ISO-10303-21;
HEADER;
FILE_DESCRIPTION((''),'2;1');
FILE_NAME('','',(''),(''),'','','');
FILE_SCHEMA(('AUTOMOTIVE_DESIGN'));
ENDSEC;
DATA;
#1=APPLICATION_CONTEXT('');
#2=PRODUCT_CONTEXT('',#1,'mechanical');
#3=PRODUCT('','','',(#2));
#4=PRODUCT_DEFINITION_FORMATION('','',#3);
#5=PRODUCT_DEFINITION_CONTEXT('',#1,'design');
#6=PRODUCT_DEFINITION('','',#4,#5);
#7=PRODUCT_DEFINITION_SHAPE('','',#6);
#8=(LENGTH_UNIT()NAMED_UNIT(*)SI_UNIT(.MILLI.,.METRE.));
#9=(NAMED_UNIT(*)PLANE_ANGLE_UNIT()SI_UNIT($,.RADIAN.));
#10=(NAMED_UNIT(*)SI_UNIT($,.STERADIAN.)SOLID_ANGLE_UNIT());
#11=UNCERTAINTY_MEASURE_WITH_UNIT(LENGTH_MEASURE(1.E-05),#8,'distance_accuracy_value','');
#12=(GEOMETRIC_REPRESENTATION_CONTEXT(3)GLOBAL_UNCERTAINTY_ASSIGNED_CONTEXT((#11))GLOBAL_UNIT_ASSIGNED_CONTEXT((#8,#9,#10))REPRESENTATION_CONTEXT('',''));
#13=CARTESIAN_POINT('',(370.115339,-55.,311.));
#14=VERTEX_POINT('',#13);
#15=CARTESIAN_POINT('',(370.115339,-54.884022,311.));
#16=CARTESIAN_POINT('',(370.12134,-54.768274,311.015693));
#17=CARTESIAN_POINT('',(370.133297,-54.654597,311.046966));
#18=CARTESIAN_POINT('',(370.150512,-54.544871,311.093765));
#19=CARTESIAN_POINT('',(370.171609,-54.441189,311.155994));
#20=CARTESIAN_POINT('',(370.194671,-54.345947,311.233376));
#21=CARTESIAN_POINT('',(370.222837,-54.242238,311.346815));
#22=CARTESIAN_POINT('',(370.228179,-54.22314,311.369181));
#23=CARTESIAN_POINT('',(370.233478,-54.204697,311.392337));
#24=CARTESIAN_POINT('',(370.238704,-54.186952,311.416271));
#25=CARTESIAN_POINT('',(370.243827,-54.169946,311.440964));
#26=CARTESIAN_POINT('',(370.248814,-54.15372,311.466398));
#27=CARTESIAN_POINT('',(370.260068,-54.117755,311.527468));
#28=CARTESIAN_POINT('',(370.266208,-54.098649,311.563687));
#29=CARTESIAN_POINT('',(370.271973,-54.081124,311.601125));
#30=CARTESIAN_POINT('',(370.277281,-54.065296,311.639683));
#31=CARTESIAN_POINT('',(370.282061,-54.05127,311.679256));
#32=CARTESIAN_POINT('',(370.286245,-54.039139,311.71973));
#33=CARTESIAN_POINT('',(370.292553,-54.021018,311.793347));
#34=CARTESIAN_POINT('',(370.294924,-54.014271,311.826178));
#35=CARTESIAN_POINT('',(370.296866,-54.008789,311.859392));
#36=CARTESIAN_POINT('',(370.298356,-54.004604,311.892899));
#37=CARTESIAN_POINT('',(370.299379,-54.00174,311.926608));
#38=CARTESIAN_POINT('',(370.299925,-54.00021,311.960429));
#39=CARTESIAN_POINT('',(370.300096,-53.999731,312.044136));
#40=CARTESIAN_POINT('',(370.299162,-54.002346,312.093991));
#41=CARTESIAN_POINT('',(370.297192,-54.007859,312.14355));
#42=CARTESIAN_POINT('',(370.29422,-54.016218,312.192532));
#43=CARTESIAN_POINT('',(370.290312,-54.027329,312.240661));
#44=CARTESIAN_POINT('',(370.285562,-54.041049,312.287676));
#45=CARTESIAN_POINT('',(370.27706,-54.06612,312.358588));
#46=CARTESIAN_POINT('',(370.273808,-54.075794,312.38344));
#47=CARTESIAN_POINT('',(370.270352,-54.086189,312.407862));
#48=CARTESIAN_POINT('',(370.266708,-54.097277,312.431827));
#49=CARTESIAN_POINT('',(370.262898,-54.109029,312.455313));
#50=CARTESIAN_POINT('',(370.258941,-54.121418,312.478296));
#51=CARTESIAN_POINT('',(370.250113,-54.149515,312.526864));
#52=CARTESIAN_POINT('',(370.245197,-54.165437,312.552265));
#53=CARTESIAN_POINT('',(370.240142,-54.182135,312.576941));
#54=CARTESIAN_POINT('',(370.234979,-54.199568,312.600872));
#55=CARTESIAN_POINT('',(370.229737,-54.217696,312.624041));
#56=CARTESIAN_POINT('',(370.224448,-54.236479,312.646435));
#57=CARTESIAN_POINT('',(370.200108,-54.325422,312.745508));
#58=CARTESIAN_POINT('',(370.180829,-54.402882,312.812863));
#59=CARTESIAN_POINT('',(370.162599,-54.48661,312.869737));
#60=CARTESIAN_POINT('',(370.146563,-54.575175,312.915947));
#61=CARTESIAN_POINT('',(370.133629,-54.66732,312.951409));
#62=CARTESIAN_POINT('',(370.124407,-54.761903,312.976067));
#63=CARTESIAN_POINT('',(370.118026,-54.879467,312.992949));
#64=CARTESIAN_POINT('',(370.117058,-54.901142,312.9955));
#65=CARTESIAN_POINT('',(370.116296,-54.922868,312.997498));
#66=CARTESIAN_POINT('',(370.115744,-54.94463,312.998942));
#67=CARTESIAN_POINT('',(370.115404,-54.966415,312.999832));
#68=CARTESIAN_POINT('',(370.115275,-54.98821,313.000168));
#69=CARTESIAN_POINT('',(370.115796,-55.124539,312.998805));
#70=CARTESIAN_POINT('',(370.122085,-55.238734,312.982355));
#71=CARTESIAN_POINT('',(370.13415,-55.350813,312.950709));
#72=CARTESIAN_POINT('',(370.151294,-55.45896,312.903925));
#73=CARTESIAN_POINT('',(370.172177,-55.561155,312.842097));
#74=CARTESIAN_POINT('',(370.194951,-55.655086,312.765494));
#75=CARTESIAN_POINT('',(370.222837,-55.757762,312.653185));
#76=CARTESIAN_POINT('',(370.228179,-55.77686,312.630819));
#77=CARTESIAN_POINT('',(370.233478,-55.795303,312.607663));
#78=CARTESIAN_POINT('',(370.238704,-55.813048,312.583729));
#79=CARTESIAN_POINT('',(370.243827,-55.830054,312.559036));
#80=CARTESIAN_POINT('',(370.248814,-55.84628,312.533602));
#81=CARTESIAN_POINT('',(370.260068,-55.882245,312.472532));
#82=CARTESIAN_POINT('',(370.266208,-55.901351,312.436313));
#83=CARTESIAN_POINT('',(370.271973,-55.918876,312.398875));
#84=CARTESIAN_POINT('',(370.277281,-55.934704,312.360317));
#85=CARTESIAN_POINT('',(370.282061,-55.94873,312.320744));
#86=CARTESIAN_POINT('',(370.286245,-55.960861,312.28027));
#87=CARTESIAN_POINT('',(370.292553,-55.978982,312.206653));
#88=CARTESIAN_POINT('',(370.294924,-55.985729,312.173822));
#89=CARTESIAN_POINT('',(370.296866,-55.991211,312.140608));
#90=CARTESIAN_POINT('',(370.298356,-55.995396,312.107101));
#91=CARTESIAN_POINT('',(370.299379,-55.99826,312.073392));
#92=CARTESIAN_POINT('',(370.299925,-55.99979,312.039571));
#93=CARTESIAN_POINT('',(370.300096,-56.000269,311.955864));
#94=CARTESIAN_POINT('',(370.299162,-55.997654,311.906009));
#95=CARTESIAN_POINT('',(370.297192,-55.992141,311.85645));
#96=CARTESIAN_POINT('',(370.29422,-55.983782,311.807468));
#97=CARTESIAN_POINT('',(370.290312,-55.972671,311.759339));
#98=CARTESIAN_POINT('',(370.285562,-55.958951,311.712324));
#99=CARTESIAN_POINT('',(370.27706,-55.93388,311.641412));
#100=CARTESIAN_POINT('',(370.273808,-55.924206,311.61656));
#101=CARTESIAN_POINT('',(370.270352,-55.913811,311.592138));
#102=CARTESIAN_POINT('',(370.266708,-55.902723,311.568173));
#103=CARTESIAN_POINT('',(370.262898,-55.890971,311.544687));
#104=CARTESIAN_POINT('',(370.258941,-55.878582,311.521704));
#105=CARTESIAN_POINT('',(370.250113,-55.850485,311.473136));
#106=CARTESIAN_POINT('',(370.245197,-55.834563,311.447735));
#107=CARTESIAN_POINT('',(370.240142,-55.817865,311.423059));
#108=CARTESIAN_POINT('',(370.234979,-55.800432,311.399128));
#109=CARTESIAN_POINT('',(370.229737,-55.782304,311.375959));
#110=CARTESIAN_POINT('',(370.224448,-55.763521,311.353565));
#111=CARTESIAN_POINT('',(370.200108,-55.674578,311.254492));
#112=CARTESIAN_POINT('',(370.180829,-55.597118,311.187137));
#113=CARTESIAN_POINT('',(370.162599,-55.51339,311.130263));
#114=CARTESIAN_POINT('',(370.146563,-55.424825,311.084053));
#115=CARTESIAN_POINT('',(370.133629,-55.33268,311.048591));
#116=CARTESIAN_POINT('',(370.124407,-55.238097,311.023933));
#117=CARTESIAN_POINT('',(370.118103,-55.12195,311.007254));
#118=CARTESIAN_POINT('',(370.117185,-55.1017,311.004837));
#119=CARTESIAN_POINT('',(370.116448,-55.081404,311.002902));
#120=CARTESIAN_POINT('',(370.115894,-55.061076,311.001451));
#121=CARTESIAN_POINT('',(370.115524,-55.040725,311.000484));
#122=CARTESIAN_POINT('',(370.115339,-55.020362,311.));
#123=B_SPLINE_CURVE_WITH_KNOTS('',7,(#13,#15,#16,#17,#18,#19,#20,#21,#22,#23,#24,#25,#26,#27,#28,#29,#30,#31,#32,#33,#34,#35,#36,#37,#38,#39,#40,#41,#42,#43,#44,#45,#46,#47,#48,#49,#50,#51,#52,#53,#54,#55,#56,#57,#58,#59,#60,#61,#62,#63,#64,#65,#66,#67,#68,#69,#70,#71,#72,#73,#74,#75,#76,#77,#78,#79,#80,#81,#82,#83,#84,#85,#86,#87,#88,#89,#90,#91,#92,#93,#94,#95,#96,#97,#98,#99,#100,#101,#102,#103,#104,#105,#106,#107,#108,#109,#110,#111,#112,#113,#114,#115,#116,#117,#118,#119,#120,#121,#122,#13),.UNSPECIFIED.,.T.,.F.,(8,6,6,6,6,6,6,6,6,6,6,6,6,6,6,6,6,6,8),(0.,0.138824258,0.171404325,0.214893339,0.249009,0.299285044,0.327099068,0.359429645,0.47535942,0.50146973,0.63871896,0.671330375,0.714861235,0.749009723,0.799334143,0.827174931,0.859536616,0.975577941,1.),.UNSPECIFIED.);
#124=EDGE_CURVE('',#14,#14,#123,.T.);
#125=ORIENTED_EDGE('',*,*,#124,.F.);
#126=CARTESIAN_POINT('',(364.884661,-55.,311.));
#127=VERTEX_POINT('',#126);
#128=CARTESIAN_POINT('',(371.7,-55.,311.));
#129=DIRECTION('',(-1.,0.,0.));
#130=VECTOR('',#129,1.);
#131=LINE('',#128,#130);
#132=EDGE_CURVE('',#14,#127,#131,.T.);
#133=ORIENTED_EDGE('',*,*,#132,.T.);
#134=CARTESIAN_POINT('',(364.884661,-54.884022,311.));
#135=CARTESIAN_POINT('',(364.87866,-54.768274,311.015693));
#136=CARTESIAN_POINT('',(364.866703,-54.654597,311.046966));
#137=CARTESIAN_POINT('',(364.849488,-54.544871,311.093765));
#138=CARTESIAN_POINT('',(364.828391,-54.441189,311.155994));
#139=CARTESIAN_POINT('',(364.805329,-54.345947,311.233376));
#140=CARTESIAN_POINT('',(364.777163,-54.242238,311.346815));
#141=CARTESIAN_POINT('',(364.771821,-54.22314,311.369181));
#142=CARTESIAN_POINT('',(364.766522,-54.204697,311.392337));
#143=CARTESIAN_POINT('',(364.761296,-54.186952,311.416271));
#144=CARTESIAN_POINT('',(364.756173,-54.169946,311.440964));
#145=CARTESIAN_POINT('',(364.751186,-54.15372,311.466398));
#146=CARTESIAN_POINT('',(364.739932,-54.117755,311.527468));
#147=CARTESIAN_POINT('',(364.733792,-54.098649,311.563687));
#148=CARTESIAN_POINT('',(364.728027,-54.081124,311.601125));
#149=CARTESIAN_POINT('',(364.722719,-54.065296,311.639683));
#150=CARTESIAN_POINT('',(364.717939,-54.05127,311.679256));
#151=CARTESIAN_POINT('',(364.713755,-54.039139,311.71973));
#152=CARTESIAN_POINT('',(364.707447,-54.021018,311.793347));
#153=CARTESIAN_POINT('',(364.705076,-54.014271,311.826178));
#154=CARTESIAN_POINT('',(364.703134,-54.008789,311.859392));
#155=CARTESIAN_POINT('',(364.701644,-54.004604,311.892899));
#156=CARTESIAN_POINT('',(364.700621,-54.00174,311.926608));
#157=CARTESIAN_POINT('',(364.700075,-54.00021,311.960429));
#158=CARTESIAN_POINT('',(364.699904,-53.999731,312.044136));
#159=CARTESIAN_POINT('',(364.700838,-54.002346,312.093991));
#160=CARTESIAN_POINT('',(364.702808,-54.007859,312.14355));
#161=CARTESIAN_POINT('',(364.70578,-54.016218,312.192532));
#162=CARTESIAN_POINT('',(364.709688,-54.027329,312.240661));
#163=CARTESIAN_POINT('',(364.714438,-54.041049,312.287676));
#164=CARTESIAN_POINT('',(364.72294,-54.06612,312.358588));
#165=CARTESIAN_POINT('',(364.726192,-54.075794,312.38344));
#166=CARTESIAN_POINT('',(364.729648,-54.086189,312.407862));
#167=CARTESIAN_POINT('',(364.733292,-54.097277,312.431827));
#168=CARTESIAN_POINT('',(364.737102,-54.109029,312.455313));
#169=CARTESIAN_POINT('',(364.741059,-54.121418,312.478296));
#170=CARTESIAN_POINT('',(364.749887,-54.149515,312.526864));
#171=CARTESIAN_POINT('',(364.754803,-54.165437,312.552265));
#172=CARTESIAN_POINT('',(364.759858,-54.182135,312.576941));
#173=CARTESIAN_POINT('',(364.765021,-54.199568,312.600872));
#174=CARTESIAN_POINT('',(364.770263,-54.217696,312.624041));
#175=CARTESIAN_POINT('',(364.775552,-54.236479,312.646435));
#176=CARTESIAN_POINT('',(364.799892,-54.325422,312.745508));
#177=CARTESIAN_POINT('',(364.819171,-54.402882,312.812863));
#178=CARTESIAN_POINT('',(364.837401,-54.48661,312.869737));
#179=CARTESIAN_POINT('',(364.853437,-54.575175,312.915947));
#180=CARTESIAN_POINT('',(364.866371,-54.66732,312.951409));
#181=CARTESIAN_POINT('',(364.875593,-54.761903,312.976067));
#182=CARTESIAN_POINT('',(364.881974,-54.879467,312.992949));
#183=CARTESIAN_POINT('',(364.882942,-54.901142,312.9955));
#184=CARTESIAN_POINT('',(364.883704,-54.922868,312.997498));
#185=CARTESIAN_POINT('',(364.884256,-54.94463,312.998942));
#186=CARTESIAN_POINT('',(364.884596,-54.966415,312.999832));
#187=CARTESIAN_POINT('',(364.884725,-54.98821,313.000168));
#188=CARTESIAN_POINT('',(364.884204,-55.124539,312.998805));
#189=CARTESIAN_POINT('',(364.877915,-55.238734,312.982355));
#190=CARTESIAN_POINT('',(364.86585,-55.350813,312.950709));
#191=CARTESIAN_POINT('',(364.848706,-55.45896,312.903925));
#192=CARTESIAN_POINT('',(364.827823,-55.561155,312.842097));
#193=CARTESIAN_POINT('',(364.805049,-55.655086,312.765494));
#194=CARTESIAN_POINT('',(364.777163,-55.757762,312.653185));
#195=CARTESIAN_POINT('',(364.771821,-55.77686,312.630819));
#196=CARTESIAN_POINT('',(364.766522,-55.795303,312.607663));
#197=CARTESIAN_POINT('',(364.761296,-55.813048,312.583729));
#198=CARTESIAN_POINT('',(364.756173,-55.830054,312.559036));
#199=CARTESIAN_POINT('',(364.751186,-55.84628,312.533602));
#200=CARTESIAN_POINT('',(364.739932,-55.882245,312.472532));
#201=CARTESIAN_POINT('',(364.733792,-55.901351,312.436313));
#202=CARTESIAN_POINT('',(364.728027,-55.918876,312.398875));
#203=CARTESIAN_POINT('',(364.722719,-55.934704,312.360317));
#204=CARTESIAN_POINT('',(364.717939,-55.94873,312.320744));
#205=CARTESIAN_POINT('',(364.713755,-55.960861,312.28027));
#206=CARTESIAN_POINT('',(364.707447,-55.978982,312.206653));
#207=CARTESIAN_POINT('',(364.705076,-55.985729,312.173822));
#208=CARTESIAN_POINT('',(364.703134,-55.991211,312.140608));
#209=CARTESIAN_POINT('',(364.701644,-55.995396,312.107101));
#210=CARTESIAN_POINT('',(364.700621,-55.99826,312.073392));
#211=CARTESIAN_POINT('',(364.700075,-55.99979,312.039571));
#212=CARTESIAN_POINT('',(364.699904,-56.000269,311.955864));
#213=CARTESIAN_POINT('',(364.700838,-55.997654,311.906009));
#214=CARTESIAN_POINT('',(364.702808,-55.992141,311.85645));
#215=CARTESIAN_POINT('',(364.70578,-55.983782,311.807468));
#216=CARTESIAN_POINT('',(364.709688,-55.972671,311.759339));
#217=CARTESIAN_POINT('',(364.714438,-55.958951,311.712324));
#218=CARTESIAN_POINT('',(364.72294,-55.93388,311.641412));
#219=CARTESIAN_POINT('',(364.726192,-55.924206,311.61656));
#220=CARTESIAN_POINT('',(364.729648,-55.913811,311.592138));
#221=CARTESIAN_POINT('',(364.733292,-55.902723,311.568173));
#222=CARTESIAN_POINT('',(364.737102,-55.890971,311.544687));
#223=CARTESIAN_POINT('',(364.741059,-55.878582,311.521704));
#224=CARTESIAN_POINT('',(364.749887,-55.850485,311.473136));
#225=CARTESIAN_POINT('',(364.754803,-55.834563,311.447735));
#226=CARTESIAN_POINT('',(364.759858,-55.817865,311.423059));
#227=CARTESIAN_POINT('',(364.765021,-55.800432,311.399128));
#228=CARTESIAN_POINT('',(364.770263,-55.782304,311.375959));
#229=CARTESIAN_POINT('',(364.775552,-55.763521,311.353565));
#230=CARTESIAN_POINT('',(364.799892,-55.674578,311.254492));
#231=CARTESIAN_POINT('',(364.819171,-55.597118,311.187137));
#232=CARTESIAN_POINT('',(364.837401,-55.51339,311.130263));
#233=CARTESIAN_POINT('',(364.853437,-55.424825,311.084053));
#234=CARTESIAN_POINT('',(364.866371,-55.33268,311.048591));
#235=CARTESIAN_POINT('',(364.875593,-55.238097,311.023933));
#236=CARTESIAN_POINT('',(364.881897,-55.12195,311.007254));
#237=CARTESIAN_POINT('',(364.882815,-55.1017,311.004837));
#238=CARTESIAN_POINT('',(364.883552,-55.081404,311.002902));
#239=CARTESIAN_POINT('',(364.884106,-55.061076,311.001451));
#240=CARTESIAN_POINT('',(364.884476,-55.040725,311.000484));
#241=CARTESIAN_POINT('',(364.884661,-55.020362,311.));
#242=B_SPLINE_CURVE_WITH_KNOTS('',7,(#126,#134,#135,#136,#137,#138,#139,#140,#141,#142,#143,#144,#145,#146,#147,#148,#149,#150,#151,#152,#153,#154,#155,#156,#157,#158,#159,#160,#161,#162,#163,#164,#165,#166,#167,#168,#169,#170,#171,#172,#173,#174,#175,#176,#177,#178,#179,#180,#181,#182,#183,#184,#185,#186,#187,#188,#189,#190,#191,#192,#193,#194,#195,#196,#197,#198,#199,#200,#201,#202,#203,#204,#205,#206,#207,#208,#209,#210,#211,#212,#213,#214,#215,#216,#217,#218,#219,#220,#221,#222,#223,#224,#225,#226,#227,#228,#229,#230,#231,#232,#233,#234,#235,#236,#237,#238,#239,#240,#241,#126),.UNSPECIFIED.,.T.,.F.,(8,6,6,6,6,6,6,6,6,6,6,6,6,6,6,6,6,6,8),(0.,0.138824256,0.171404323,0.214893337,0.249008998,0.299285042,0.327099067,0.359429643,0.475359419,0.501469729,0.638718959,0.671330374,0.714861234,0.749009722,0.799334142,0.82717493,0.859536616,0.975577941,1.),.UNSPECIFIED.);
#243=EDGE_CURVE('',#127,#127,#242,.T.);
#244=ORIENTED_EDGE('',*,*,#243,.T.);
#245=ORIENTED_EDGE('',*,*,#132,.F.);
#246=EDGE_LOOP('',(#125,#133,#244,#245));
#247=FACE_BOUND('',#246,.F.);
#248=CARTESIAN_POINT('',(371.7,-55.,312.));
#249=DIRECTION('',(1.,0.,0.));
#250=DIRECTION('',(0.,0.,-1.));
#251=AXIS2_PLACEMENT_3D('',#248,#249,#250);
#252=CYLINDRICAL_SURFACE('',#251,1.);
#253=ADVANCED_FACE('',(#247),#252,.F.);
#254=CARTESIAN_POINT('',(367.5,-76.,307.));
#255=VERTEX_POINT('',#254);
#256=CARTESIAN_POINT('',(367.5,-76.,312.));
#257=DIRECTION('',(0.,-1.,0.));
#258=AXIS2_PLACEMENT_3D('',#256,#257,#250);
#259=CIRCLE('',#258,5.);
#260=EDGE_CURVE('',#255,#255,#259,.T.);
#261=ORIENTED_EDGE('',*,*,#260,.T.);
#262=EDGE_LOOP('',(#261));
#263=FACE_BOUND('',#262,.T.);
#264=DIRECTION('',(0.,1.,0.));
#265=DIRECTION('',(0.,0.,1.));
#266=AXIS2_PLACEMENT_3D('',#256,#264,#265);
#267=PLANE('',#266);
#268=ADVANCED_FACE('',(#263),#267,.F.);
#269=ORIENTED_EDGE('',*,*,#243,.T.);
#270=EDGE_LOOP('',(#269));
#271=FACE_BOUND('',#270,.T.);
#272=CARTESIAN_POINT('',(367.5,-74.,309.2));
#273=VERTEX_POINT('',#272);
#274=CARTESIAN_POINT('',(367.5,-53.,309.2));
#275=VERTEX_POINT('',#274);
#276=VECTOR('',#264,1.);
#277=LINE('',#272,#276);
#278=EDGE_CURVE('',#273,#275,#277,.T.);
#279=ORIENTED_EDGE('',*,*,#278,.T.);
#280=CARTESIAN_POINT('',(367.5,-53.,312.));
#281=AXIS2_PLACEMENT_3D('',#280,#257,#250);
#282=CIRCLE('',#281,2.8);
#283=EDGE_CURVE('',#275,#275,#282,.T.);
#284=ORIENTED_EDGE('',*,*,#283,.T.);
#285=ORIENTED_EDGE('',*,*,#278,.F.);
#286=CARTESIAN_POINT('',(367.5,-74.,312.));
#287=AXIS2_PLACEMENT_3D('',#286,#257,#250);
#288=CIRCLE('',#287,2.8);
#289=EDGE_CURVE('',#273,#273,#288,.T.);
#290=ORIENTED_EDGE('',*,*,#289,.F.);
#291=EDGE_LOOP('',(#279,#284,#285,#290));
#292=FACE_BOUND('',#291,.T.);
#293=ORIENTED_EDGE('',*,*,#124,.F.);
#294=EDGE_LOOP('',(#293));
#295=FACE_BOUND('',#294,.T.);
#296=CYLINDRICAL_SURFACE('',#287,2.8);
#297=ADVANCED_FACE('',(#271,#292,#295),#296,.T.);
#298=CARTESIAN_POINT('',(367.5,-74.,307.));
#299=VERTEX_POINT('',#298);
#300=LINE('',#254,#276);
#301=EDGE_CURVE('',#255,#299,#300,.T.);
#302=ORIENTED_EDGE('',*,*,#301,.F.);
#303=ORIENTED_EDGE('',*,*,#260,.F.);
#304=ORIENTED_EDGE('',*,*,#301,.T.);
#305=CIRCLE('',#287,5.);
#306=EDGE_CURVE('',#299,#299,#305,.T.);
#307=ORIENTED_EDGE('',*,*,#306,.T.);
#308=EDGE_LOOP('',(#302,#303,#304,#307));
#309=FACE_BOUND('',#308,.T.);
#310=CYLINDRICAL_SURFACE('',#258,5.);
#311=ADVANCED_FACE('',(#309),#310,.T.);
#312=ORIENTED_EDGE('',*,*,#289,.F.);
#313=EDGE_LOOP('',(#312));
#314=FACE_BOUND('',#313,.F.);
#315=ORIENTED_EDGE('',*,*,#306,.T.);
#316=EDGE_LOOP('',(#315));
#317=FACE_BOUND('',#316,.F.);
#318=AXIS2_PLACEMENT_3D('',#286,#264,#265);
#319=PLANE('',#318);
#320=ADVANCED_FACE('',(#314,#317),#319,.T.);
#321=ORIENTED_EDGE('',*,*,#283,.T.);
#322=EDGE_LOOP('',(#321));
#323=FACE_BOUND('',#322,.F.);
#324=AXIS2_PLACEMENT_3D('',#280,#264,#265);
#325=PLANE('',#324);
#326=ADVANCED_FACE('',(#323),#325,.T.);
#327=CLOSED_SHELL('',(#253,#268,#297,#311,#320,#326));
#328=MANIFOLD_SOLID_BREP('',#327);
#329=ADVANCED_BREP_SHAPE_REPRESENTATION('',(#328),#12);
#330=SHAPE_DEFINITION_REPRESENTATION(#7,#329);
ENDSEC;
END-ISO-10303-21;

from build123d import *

# Parameters (mm, degrees)
SKETCH031_R                   = 1
PAD031_DEPTH                  = 10
CYLINDER045_R                 = 2.8
CYLINDER045_DEPTH             = 21
CYLINDER046_R                 = 5
CYLINDER046_DEPTH             = 2
CUT029_ROLL_ANGLE             = 90
PART_MIRRORING007_PITCH_ANGLE = 90


with BuildPart() as pad031:
    # Sketch031 → Pad031 (new body)
    with BuildSketch(Plane(origin=(0, 4.2, 21), x_dir=(1, 0, 0), z_dir=(0, -1, 0))):
        Circle(SKETCH031_R)
    extrude(amount=PAD031_DEPTH)


with BuildPart() as eje003:
    # Cylinder045 → Cylinder045 (new body)
    with BuildSketch(Plane.XY.offset(2)):
        Circle(CYLINDER045_R)
    extrude(amount=CYLINDER045_DEPTH)


with BuildPart() as eje_full003:
    # Cylinder046 → Cylinder046 (new body)
    with BuildSketch(Plane.XY):
        Circle(CYLINDER046_R)
    extrude(amount=CYLINDER046_DEPTH)

    # Fusion009003039: union Eje003
    add(eje003.part)

    # Cut029: cut Pad031
    add(pad031.part, mode=Mode.SUBTRACT)


with BuildPart() as eje_full003_1:
    # Cut029 roll: moved
    add(eje_full003.part.rotate(Axis((0, 0, 0), (1, 0, 0)), CUT029_ROLL_ANGLE))


with BuildPart() as eje_full003_2:
    # Cut029 placement: moved
    add(eje_full003_1.part.moved(Location((14, 13, 8.5))))


with BuildPart() as part_mirroring007:
    # Part__Mirroring007: instance of Eje_full003
    add(eje_full003_2.part.mirror(Plane(origin=(0, 0, 0), x_dir=(1, 0, 0), z_dir=(0, 1, 0))))


with BuildPart() as part_mirroring007_1:
    # Part__Mirroring007 pitch: moved
    add(part_mirroring007.part.rotate(Axis((0, 0, 0), (0, 1, 0)), PART_MIRRORING007_PITCH_ANGLE))


with BuildPart() as part_mirroring007_2:
    # Part__Mirroring007 placement: moved
    add(part_mirroring007_1.part.moved(Location((359, -63, 326))))


solid = part_mirroring007_2.part
